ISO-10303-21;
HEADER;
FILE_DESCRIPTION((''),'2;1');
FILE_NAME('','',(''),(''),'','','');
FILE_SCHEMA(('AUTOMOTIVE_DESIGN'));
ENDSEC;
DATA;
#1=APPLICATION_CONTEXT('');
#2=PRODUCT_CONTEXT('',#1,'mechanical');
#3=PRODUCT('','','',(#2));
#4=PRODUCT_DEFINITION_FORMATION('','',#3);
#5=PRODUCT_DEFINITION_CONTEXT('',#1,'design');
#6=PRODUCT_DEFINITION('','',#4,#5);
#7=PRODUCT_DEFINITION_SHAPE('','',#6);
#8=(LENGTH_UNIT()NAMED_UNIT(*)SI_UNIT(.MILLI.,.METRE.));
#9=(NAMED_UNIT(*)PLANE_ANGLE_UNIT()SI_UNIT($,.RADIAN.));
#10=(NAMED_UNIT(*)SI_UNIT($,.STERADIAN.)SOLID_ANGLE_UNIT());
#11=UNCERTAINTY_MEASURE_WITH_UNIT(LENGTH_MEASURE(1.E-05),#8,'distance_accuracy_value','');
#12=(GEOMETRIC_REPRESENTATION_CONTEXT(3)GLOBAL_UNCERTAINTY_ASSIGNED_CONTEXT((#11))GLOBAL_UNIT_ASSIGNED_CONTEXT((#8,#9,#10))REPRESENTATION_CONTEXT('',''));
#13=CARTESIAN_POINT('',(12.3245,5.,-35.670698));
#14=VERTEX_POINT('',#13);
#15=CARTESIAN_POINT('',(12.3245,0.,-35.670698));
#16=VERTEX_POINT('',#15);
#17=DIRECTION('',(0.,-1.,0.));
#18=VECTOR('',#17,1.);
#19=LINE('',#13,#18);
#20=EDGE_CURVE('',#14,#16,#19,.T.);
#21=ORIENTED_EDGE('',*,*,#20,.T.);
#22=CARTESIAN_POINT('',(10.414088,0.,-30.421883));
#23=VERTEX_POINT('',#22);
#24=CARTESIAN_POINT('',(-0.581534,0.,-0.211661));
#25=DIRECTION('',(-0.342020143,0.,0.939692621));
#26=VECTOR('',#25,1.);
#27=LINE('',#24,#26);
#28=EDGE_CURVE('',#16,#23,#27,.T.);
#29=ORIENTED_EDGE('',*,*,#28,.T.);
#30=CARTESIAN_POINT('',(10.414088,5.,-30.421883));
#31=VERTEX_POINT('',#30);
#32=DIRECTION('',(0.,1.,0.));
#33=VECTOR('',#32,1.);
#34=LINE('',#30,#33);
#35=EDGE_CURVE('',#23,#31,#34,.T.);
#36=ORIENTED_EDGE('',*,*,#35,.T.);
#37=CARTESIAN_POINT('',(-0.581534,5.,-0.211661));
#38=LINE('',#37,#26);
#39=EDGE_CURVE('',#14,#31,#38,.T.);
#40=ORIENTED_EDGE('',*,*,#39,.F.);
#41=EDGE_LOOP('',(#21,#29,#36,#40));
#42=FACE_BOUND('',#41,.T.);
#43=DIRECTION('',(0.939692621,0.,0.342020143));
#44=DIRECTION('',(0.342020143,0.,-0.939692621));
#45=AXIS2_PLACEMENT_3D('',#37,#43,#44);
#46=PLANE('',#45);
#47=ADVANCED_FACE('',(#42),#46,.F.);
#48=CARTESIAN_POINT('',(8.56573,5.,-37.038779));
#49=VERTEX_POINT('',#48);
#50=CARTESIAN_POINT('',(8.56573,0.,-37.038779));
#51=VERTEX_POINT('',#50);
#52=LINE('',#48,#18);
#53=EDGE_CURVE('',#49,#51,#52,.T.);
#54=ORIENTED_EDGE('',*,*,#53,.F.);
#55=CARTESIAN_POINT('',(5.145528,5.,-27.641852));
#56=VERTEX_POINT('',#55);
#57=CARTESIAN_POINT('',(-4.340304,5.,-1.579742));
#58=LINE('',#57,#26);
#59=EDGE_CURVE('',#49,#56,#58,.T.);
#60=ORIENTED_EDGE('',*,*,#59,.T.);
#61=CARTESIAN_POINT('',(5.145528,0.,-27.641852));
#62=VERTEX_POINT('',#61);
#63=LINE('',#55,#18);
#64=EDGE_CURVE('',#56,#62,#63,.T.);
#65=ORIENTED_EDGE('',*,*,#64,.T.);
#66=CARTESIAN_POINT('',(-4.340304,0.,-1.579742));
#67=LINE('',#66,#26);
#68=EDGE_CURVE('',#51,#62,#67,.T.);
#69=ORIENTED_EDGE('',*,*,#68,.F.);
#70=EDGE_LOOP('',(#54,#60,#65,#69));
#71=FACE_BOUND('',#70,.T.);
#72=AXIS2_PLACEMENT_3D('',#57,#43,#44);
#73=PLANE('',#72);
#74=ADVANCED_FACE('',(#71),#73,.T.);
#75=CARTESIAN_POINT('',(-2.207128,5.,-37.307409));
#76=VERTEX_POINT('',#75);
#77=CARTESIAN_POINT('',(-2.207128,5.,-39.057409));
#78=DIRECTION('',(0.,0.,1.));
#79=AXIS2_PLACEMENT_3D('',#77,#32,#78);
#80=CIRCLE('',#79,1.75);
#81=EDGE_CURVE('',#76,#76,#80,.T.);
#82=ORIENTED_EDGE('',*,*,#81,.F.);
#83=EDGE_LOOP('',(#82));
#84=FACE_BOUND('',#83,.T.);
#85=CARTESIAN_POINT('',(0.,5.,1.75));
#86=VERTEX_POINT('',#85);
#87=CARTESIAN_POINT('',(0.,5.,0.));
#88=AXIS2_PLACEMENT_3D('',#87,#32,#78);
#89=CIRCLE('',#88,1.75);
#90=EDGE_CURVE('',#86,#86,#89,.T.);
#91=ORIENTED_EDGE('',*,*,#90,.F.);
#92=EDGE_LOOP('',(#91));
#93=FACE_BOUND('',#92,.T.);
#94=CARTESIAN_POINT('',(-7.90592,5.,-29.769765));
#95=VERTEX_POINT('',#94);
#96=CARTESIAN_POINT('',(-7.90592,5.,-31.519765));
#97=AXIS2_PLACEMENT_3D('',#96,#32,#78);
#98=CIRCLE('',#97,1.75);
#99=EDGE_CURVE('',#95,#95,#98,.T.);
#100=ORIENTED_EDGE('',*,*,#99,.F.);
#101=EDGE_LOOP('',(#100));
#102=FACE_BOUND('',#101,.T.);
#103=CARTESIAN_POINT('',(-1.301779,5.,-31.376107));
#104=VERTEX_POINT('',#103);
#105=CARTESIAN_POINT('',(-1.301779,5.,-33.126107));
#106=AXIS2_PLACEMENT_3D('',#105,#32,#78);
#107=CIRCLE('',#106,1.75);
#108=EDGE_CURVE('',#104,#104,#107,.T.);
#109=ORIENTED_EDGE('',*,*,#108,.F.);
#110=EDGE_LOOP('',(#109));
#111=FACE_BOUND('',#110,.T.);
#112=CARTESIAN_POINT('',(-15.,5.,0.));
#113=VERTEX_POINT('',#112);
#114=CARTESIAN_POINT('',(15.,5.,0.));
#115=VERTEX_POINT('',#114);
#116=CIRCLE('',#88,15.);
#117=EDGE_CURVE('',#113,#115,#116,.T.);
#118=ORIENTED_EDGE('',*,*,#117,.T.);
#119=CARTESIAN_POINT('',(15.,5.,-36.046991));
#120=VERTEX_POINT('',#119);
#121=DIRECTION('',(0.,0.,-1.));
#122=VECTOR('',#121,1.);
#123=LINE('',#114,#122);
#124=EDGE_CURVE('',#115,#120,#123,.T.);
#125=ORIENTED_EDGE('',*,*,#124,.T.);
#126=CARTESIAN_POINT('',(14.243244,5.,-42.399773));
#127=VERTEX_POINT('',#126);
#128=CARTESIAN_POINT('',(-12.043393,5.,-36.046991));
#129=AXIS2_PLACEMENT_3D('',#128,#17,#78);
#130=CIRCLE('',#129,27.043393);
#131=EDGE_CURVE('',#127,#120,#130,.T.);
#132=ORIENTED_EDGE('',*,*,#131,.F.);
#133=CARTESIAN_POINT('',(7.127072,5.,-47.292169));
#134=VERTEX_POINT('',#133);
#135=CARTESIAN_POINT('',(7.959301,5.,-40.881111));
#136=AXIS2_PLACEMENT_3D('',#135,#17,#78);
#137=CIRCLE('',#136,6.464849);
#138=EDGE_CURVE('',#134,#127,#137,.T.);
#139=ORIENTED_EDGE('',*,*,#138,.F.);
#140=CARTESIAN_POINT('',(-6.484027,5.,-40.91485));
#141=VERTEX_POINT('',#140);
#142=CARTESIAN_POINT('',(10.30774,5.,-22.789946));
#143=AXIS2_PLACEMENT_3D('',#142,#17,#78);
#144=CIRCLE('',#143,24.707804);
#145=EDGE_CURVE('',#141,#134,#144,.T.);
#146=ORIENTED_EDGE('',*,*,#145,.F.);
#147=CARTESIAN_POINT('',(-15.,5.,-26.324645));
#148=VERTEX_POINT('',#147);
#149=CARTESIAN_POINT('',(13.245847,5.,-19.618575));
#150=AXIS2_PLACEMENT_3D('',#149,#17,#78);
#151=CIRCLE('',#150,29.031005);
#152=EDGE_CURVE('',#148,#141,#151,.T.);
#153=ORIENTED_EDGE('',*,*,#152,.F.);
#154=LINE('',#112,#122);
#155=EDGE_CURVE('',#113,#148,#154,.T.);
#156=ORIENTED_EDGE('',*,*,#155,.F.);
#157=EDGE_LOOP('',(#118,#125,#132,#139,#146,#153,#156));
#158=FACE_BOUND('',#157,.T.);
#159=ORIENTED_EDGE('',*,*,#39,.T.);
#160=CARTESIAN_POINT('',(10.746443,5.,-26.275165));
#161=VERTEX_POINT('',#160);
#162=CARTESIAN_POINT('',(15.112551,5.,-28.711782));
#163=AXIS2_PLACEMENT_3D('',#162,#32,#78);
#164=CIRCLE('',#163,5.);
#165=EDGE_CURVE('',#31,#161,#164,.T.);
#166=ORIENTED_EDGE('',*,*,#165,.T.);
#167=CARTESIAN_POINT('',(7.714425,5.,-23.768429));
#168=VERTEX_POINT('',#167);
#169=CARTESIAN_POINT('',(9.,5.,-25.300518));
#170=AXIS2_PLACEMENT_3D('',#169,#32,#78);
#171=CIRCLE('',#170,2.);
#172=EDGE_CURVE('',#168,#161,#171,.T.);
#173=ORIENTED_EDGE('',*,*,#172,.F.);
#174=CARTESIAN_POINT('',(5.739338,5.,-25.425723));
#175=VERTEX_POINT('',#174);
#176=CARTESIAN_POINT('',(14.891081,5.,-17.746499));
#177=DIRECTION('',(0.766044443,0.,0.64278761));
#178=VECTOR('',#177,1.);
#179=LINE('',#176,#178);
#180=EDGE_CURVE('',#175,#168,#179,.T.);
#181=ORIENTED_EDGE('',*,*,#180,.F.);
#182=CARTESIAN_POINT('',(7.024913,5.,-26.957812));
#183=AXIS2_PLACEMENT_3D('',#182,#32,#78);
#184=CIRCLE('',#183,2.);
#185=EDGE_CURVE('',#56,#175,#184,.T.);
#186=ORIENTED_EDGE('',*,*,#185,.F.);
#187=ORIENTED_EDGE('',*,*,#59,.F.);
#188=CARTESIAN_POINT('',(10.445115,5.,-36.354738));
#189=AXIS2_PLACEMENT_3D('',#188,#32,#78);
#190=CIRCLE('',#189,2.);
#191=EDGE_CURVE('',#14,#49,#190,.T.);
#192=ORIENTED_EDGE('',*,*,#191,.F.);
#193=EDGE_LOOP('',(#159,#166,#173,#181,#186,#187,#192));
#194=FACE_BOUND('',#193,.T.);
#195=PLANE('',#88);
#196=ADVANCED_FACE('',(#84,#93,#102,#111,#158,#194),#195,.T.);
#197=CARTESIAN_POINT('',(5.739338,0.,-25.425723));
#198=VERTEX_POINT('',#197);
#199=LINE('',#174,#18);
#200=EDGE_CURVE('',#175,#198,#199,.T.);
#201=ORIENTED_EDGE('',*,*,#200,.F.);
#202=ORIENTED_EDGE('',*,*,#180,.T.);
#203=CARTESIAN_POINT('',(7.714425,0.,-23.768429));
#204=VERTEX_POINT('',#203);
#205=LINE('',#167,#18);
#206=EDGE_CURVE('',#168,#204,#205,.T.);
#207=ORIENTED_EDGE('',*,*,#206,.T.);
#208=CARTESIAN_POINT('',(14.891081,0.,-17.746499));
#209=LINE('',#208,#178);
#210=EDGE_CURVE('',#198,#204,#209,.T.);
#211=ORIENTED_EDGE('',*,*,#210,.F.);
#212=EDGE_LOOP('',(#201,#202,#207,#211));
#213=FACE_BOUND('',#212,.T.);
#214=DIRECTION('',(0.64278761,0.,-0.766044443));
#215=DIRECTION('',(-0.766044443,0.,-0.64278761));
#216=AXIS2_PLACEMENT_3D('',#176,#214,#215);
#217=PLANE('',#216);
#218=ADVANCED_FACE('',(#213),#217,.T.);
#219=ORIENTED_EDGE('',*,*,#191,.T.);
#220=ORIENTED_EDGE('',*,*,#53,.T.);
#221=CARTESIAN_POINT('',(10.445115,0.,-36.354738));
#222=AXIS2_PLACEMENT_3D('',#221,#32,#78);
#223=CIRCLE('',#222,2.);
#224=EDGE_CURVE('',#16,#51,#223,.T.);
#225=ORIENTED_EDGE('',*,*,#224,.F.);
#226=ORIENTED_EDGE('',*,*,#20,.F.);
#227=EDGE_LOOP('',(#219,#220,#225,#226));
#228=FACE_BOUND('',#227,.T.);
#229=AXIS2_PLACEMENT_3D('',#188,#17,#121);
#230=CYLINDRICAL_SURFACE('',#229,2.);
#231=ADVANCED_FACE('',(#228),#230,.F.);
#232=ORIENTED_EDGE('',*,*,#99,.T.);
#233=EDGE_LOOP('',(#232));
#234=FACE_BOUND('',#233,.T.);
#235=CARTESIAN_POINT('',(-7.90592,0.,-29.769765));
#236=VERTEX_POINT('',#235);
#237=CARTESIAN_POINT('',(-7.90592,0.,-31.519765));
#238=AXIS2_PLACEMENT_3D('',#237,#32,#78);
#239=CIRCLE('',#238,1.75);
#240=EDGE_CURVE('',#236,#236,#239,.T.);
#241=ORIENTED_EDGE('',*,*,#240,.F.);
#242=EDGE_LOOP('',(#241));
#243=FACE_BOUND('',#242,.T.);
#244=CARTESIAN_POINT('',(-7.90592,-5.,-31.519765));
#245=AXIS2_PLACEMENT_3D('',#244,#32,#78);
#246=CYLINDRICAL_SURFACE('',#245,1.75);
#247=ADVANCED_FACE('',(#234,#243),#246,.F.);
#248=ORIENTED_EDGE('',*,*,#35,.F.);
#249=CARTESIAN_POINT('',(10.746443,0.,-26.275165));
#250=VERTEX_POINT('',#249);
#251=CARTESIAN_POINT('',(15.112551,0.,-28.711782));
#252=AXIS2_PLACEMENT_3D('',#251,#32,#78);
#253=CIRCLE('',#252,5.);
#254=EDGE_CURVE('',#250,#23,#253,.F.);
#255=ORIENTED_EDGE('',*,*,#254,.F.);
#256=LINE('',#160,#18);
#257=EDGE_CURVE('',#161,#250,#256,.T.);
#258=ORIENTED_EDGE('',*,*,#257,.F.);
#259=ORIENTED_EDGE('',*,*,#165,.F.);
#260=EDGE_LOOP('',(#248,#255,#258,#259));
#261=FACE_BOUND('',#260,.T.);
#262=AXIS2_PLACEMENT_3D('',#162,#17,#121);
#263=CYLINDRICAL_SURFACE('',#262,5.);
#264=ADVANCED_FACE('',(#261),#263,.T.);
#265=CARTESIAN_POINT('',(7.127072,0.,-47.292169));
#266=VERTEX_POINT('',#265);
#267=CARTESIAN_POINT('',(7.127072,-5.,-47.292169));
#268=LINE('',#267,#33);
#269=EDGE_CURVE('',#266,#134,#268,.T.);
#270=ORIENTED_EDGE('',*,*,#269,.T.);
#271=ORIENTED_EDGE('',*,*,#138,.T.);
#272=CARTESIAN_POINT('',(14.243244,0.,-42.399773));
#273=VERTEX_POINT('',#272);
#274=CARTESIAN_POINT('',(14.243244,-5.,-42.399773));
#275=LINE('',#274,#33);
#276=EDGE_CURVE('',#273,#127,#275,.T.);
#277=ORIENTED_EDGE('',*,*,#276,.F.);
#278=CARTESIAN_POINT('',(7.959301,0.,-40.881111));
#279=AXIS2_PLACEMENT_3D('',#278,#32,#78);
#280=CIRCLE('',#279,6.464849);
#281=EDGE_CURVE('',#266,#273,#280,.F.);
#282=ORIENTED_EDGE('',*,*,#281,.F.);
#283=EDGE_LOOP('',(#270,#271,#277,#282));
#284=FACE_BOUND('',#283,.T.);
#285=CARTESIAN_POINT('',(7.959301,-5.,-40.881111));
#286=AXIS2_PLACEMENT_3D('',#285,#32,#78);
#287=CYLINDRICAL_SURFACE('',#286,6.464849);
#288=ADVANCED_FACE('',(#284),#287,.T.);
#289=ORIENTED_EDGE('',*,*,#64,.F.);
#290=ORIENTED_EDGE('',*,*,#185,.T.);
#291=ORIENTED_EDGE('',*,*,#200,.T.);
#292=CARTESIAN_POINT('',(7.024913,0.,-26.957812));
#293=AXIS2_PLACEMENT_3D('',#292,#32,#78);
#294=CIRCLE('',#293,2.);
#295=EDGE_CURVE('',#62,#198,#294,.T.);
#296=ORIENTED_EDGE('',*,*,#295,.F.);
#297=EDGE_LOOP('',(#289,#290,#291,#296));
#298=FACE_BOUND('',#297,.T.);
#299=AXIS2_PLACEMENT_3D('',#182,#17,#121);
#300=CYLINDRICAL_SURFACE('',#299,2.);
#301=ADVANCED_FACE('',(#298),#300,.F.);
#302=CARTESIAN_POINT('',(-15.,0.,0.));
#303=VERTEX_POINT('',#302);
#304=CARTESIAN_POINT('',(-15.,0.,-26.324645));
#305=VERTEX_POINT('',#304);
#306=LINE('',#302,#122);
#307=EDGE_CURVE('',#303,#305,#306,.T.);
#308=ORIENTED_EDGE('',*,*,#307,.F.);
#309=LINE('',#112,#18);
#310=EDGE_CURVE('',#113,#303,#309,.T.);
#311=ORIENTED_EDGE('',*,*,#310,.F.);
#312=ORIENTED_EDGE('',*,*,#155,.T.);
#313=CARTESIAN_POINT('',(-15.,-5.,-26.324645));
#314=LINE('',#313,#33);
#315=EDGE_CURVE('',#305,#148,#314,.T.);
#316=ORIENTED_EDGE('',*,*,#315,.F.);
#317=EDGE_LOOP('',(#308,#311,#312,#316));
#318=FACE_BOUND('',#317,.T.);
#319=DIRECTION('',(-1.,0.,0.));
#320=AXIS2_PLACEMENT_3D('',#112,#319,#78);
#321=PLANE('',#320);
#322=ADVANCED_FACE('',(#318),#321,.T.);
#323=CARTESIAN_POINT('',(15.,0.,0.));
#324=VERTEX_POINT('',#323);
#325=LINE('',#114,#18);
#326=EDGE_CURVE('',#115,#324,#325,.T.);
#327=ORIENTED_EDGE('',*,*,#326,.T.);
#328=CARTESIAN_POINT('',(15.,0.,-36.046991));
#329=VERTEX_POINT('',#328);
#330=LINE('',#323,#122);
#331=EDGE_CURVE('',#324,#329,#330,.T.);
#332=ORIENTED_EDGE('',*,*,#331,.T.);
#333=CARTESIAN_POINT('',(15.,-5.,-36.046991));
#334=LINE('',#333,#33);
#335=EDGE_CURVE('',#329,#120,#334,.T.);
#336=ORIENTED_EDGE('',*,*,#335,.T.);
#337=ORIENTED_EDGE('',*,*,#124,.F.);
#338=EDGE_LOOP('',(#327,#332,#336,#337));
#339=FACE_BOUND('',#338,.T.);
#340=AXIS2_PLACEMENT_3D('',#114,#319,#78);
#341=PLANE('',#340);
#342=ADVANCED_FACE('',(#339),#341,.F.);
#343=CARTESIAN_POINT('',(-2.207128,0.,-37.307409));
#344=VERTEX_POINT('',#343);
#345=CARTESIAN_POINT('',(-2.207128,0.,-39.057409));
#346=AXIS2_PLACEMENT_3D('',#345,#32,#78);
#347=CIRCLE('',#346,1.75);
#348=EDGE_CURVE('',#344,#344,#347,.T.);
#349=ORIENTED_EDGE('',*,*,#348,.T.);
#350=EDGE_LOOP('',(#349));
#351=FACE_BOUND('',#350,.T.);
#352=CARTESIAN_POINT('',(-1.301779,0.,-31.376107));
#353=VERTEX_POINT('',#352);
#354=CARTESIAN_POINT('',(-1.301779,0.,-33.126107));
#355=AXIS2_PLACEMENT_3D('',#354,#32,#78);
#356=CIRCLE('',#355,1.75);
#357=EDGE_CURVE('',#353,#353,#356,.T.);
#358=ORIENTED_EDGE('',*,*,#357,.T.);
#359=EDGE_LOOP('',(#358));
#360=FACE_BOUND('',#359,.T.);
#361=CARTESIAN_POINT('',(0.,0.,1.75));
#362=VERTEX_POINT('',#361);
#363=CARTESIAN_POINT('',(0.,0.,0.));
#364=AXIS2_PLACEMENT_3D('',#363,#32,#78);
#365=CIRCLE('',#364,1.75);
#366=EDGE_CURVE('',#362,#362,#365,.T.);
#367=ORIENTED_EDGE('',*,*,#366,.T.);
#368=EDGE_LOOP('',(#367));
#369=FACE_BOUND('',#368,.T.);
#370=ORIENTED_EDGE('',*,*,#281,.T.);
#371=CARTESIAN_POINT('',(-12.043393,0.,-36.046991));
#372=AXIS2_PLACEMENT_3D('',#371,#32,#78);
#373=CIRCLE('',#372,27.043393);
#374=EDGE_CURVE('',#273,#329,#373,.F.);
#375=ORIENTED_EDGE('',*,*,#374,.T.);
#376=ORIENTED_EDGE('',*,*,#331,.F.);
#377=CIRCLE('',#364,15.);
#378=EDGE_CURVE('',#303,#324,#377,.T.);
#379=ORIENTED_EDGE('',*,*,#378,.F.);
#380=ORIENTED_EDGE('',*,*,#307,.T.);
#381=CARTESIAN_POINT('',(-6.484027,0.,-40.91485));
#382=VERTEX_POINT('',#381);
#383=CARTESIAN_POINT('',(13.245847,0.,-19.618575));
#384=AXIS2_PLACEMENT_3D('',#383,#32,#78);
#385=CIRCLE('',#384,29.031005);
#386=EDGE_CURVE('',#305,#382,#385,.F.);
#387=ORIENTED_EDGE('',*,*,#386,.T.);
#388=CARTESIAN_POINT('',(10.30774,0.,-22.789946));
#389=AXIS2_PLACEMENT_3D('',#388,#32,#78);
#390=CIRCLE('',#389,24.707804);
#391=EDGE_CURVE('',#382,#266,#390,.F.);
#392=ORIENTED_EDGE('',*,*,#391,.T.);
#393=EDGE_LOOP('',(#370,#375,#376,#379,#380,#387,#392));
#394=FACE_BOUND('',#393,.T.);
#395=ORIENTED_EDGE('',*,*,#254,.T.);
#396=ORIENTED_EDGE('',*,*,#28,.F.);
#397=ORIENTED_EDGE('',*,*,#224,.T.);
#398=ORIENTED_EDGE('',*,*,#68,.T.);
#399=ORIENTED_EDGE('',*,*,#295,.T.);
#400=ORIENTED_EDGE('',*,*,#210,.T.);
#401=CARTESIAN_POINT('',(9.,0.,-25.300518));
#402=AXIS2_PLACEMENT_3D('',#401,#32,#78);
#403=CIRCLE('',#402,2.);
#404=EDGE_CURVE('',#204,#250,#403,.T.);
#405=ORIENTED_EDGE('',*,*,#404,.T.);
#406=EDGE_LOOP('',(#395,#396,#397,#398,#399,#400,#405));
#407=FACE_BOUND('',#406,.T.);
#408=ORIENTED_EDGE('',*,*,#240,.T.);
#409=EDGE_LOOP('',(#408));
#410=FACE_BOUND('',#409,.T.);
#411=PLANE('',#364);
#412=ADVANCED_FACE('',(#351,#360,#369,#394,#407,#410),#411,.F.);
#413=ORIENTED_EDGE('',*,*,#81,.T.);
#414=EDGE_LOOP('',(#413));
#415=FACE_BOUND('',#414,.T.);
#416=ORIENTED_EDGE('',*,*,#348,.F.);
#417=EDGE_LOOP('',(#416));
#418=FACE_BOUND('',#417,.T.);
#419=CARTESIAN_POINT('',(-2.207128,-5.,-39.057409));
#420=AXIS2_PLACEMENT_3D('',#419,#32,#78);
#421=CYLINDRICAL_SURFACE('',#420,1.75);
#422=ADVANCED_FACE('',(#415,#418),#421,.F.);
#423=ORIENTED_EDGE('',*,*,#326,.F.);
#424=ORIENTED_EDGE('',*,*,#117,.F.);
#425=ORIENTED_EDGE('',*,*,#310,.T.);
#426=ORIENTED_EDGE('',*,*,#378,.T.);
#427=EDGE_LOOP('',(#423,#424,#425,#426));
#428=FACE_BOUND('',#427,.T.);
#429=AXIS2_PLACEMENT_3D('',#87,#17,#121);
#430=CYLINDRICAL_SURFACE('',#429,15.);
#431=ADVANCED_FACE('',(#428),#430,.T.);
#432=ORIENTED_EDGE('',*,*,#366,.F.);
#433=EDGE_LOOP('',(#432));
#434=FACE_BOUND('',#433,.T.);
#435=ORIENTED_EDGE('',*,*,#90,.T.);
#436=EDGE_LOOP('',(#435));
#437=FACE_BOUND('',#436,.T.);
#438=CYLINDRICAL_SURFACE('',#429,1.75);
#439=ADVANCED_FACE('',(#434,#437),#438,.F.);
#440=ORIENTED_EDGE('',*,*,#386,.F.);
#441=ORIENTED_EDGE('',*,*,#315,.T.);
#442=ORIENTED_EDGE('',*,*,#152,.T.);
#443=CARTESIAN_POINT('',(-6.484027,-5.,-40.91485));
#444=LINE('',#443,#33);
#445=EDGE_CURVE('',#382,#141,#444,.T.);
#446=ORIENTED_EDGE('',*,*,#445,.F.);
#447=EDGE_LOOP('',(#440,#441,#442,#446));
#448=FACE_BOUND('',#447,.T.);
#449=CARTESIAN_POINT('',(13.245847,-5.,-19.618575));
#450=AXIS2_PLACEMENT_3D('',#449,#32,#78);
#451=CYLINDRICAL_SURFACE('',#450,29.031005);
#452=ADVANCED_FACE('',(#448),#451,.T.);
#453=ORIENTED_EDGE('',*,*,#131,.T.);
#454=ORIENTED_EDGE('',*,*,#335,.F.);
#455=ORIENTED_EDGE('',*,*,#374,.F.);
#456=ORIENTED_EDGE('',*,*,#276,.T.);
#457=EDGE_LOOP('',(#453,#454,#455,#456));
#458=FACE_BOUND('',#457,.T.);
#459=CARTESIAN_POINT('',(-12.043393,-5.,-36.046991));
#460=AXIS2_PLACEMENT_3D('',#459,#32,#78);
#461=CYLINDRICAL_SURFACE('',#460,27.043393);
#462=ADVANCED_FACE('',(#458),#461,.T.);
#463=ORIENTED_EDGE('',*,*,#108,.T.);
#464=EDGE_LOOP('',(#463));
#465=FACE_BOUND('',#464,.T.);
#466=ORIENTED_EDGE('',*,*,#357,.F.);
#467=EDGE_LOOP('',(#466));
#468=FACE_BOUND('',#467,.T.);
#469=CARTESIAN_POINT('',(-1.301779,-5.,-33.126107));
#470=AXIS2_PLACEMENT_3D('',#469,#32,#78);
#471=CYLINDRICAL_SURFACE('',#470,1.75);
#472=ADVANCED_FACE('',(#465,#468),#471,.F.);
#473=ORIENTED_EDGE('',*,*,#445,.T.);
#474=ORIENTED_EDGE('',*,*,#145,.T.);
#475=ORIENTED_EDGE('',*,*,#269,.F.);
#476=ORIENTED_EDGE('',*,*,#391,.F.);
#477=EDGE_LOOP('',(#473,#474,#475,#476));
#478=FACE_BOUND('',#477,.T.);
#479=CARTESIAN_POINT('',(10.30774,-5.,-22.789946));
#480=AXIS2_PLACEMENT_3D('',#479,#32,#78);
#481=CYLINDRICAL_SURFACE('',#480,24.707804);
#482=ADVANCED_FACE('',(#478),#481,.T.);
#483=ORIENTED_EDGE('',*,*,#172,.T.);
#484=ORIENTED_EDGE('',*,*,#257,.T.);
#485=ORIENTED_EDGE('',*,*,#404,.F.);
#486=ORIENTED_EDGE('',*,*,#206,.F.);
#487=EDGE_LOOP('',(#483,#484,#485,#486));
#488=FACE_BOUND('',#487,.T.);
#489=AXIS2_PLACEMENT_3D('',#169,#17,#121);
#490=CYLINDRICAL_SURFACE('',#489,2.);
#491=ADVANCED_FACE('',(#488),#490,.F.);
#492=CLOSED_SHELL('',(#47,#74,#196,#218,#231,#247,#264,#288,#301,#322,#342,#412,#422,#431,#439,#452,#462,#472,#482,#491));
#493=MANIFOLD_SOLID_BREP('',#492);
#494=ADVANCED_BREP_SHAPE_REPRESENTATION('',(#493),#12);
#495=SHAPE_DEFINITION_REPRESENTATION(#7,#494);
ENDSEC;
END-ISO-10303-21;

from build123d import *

# Parameters (mm, degrees)
SKETCH1_R           = 1.75
BOSS_EXTRUDE1_DEPTH = 5
FILLET1_R           = 5
CUT_EXTRUDE1_DEPTH  = 10
SKETCH3_R           = 1.75
CUT_EXTRUDE2_DEPTH  = 10


with BuildPart() as part:
    # Sketch1 → Boss-Extrude1 (new body)
    with BuildSketch(Plane(origin=(0, 0, 0), x_dir=(1, 0, 0), z_dir=(0, 1, 0))):
        with BuildLine():
            Line((-15, 0), (-15, 50))
            ThreePointArc((-15, 50), (0, 65), (15, 50))
            Line((15, 50), (15, 0))
            ThreePointArc((15, 0), (0, -15), (-15, 0))
        make_face()
        Circle(SKETCH1_R, mode=Mode.SUBTRACT)
        with BuildLine():
            Line((12.324500118, 35.6706981), (9.383268849, 27.589731606))
            Line((9.383268849, 27.589731606), (10.285575219, 26.832606664))
            ThreePointArc((10.285575219, 26.832606664), (10.532088886, 24.014942558), (7.714424781, 23.768428891))
            Line((7.714424781, 23.768428891), (5.739338223, 25.425723293))
            ThreePointArc((5.739338223, 25.425723293), (5.09306179, 26.440174089), (5.145528201, 27.641852466))
            Line((5.145528201, 27.641852466), (8.565729634, 37.038778674))
            ThreePointArc((8.565729634, 37.038778674), (11.129155163, 38.234123628), (12.324500118, 35.6706981))
        make_face(mode=Mode.SUBTRACT)
    extrude(amount=BOSS_EXTRUDE1_DEPTH)

    # Fillet1
    fillet1_edges = [part.edges().sort_by_distance(p)[0] for p in [
        (9.383268849, 2.5, -27.589731606),
    ]]
    fillet(fillet1_edges, radius=FILLET1_R)

    # Sketch2 → Cut-Extrude1 (cut)
    with BuildSketch(Plane(origin=(0, 5, 0), x_dir=(1, 0, 0), z_dir=(0, 1, 0))):
        with BuildLine():
            Line((-15, 26.324644949), (-40.925594741, 69.238213195))
            Line((-40.925594741, 69.238213195), (-58.771967888, 111.080687023))
            Line((-58.771967888, 111.080687023), (39.28439299, 102.825794629))
            Line((39.28439299, 102.825794629), (15, 36.046990739))
            ThreePointArc((15, 36.046990739), (14.81014445, 39.245839168), (14.243243524, 42.399773179))
            ThreePointArc((14.243243524, 42.399773179), (11.621838426, 46.208407589), (7.127072402, 47.292169164))
            ThreePointArc((7.127072402, 47.292169164), (-0.175202385, 45.163669538), (-6.484026655, 40.9148504))
            ThreePointArc((-6.484026655, 40.9148504), (-11.826766868, 34.252893813), (-15, 26.324644949))
        make_face()
    extrude(amount=-CUT_EXTRUDE1_DEPTH, mode=Mode.SUBTRACT)

    # Sketch3 → Cut-Extrude2 (cut)
    with BuildSketch(Plane(origin=(0, 5, 0), x_dir=(1, 0, 0), z_dir=(0, 1, 0))):
        with Locations((-1.301778952, 33.126107378)):
            Circle(SKETCH3_R)
        with Locations((-2.207127715, 39.057409395)):
            Circle(SKETCH3_R)
        with Locations((-7.905919506, 31.519764857)):
            Circle(SKETCH3_R)
    extrude(amount=-CUT_EXTRUDE2_DEPTH, mode=Mode.SUBTRACT)


solid = part.part
